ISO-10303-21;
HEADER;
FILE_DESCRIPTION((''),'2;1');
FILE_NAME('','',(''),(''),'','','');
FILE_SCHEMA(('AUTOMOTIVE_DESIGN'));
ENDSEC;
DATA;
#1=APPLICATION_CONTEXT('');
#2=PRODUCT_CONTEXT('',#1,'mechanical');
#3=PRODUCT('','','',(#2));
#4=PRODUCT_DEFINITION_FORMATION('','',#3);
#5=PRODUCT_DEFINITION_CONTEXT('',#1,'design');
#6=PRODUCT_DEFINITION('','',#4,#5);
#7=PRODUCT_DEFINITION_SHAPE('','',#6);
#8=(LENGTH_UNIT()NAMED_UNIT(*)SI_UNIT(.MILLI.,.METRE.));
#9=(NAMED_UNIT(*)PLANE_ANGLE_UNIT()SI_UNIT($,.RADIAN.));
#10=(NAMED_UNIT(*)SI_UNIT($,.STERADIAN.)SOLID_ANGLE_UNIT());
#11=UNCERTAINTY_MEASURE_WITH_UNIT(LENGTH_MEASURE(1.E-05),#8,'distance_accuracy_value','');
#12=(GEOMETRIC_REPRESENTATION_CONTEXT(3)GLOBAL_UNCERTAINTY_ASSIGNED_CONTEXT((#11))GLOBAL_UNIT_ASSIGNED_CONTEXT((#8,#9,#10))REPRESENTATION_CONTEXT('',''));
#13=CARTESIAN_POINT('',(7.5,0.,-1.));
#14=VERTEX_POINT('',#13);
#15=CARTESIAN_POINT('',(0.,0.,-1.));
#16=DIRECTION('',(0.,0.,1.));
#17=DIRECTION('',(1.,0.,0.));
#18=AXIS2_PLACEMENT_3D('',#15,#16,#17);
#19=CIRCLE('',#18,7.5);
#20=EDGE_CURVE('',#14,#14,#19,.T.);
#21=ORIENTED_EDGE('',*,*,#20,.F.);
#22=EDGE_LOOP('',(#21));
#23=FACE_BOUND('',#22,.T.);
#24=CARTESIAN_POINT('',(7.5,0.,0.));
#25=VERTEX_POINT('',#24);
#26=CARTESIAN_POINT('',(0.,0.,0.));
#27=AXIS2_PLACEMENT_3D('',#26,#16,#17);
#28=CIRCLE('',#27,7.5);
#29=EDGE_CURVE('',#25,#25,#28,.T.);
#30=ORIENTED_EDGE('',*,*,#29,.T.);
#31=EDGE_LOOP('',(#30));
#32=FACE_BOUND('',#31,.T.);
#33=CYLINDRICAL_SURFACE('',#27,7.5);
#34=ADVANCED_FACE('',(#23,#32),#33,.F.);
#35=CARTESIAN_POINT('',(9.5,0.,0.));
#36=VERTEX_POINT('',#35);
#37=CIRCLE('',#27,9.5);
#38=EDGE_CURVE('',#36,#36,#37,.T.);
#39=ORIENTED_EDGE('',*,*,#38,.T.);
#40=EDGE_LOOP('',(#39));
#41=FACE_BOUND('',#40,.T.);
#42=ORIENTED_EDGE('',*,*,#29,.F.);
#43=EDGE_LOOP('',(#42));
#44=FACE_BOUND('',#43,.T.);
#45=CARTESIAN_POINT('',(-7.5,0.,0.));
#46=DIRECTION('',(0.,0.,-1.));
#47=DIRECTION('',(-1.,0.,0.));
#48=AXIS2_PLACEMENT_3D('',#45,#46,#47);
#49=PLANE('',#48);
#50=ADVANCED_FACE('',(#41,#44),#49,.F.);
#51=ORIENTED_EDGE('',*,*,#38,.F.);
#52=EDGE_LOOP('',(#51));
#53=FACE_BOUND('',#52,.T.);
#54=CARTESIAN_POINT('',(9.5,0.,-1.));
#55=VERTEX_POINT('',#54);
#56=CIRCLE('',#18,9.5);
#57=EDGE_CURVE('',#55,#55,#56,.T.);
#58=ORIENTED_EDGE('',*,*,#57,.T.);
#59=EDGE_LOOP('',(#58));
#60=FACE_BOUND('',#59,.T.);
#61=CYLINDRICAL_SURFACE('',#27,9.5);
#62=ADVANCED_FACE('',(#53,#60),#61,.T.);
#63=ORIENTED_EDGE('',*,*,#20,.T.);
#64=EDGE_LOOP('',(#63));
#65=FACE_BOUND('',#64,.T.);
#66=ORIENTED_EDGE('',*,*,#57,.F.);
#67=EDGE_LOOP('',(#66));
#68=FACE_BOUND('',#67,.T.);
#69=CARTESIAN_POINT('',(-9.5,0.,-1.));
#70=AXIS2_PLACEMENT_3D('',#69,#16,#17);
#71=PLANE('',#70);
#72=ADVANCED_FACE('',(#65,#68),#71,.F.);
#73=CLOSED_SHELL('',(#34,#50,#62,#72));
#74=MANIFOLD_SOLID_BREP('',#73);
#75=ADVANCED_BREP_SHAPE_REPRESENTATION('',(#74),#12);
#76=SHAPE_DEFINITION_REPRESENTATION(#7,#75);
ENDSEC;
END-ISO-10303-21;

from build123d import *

# Parameters (mm, degrees)
SKETCH_1_W = 2
SKETCH_1_H = 1


with BuildPart() as part:
    # Эскиз1 → Повернуть1 (revolve)
    with BuildSketch(Plane(origin=(0, 0, 0), x_dir=(1, 0, 0), z_dir=(0, 1, 0))):
        with Locations((-8.5, 0.5)):
            Rectangle(SKETCH_1_W, SKETCH_1_H)
    revolve(axis=Axis((0, 0, 0), (0, 0, -1)))


solid = part.part
